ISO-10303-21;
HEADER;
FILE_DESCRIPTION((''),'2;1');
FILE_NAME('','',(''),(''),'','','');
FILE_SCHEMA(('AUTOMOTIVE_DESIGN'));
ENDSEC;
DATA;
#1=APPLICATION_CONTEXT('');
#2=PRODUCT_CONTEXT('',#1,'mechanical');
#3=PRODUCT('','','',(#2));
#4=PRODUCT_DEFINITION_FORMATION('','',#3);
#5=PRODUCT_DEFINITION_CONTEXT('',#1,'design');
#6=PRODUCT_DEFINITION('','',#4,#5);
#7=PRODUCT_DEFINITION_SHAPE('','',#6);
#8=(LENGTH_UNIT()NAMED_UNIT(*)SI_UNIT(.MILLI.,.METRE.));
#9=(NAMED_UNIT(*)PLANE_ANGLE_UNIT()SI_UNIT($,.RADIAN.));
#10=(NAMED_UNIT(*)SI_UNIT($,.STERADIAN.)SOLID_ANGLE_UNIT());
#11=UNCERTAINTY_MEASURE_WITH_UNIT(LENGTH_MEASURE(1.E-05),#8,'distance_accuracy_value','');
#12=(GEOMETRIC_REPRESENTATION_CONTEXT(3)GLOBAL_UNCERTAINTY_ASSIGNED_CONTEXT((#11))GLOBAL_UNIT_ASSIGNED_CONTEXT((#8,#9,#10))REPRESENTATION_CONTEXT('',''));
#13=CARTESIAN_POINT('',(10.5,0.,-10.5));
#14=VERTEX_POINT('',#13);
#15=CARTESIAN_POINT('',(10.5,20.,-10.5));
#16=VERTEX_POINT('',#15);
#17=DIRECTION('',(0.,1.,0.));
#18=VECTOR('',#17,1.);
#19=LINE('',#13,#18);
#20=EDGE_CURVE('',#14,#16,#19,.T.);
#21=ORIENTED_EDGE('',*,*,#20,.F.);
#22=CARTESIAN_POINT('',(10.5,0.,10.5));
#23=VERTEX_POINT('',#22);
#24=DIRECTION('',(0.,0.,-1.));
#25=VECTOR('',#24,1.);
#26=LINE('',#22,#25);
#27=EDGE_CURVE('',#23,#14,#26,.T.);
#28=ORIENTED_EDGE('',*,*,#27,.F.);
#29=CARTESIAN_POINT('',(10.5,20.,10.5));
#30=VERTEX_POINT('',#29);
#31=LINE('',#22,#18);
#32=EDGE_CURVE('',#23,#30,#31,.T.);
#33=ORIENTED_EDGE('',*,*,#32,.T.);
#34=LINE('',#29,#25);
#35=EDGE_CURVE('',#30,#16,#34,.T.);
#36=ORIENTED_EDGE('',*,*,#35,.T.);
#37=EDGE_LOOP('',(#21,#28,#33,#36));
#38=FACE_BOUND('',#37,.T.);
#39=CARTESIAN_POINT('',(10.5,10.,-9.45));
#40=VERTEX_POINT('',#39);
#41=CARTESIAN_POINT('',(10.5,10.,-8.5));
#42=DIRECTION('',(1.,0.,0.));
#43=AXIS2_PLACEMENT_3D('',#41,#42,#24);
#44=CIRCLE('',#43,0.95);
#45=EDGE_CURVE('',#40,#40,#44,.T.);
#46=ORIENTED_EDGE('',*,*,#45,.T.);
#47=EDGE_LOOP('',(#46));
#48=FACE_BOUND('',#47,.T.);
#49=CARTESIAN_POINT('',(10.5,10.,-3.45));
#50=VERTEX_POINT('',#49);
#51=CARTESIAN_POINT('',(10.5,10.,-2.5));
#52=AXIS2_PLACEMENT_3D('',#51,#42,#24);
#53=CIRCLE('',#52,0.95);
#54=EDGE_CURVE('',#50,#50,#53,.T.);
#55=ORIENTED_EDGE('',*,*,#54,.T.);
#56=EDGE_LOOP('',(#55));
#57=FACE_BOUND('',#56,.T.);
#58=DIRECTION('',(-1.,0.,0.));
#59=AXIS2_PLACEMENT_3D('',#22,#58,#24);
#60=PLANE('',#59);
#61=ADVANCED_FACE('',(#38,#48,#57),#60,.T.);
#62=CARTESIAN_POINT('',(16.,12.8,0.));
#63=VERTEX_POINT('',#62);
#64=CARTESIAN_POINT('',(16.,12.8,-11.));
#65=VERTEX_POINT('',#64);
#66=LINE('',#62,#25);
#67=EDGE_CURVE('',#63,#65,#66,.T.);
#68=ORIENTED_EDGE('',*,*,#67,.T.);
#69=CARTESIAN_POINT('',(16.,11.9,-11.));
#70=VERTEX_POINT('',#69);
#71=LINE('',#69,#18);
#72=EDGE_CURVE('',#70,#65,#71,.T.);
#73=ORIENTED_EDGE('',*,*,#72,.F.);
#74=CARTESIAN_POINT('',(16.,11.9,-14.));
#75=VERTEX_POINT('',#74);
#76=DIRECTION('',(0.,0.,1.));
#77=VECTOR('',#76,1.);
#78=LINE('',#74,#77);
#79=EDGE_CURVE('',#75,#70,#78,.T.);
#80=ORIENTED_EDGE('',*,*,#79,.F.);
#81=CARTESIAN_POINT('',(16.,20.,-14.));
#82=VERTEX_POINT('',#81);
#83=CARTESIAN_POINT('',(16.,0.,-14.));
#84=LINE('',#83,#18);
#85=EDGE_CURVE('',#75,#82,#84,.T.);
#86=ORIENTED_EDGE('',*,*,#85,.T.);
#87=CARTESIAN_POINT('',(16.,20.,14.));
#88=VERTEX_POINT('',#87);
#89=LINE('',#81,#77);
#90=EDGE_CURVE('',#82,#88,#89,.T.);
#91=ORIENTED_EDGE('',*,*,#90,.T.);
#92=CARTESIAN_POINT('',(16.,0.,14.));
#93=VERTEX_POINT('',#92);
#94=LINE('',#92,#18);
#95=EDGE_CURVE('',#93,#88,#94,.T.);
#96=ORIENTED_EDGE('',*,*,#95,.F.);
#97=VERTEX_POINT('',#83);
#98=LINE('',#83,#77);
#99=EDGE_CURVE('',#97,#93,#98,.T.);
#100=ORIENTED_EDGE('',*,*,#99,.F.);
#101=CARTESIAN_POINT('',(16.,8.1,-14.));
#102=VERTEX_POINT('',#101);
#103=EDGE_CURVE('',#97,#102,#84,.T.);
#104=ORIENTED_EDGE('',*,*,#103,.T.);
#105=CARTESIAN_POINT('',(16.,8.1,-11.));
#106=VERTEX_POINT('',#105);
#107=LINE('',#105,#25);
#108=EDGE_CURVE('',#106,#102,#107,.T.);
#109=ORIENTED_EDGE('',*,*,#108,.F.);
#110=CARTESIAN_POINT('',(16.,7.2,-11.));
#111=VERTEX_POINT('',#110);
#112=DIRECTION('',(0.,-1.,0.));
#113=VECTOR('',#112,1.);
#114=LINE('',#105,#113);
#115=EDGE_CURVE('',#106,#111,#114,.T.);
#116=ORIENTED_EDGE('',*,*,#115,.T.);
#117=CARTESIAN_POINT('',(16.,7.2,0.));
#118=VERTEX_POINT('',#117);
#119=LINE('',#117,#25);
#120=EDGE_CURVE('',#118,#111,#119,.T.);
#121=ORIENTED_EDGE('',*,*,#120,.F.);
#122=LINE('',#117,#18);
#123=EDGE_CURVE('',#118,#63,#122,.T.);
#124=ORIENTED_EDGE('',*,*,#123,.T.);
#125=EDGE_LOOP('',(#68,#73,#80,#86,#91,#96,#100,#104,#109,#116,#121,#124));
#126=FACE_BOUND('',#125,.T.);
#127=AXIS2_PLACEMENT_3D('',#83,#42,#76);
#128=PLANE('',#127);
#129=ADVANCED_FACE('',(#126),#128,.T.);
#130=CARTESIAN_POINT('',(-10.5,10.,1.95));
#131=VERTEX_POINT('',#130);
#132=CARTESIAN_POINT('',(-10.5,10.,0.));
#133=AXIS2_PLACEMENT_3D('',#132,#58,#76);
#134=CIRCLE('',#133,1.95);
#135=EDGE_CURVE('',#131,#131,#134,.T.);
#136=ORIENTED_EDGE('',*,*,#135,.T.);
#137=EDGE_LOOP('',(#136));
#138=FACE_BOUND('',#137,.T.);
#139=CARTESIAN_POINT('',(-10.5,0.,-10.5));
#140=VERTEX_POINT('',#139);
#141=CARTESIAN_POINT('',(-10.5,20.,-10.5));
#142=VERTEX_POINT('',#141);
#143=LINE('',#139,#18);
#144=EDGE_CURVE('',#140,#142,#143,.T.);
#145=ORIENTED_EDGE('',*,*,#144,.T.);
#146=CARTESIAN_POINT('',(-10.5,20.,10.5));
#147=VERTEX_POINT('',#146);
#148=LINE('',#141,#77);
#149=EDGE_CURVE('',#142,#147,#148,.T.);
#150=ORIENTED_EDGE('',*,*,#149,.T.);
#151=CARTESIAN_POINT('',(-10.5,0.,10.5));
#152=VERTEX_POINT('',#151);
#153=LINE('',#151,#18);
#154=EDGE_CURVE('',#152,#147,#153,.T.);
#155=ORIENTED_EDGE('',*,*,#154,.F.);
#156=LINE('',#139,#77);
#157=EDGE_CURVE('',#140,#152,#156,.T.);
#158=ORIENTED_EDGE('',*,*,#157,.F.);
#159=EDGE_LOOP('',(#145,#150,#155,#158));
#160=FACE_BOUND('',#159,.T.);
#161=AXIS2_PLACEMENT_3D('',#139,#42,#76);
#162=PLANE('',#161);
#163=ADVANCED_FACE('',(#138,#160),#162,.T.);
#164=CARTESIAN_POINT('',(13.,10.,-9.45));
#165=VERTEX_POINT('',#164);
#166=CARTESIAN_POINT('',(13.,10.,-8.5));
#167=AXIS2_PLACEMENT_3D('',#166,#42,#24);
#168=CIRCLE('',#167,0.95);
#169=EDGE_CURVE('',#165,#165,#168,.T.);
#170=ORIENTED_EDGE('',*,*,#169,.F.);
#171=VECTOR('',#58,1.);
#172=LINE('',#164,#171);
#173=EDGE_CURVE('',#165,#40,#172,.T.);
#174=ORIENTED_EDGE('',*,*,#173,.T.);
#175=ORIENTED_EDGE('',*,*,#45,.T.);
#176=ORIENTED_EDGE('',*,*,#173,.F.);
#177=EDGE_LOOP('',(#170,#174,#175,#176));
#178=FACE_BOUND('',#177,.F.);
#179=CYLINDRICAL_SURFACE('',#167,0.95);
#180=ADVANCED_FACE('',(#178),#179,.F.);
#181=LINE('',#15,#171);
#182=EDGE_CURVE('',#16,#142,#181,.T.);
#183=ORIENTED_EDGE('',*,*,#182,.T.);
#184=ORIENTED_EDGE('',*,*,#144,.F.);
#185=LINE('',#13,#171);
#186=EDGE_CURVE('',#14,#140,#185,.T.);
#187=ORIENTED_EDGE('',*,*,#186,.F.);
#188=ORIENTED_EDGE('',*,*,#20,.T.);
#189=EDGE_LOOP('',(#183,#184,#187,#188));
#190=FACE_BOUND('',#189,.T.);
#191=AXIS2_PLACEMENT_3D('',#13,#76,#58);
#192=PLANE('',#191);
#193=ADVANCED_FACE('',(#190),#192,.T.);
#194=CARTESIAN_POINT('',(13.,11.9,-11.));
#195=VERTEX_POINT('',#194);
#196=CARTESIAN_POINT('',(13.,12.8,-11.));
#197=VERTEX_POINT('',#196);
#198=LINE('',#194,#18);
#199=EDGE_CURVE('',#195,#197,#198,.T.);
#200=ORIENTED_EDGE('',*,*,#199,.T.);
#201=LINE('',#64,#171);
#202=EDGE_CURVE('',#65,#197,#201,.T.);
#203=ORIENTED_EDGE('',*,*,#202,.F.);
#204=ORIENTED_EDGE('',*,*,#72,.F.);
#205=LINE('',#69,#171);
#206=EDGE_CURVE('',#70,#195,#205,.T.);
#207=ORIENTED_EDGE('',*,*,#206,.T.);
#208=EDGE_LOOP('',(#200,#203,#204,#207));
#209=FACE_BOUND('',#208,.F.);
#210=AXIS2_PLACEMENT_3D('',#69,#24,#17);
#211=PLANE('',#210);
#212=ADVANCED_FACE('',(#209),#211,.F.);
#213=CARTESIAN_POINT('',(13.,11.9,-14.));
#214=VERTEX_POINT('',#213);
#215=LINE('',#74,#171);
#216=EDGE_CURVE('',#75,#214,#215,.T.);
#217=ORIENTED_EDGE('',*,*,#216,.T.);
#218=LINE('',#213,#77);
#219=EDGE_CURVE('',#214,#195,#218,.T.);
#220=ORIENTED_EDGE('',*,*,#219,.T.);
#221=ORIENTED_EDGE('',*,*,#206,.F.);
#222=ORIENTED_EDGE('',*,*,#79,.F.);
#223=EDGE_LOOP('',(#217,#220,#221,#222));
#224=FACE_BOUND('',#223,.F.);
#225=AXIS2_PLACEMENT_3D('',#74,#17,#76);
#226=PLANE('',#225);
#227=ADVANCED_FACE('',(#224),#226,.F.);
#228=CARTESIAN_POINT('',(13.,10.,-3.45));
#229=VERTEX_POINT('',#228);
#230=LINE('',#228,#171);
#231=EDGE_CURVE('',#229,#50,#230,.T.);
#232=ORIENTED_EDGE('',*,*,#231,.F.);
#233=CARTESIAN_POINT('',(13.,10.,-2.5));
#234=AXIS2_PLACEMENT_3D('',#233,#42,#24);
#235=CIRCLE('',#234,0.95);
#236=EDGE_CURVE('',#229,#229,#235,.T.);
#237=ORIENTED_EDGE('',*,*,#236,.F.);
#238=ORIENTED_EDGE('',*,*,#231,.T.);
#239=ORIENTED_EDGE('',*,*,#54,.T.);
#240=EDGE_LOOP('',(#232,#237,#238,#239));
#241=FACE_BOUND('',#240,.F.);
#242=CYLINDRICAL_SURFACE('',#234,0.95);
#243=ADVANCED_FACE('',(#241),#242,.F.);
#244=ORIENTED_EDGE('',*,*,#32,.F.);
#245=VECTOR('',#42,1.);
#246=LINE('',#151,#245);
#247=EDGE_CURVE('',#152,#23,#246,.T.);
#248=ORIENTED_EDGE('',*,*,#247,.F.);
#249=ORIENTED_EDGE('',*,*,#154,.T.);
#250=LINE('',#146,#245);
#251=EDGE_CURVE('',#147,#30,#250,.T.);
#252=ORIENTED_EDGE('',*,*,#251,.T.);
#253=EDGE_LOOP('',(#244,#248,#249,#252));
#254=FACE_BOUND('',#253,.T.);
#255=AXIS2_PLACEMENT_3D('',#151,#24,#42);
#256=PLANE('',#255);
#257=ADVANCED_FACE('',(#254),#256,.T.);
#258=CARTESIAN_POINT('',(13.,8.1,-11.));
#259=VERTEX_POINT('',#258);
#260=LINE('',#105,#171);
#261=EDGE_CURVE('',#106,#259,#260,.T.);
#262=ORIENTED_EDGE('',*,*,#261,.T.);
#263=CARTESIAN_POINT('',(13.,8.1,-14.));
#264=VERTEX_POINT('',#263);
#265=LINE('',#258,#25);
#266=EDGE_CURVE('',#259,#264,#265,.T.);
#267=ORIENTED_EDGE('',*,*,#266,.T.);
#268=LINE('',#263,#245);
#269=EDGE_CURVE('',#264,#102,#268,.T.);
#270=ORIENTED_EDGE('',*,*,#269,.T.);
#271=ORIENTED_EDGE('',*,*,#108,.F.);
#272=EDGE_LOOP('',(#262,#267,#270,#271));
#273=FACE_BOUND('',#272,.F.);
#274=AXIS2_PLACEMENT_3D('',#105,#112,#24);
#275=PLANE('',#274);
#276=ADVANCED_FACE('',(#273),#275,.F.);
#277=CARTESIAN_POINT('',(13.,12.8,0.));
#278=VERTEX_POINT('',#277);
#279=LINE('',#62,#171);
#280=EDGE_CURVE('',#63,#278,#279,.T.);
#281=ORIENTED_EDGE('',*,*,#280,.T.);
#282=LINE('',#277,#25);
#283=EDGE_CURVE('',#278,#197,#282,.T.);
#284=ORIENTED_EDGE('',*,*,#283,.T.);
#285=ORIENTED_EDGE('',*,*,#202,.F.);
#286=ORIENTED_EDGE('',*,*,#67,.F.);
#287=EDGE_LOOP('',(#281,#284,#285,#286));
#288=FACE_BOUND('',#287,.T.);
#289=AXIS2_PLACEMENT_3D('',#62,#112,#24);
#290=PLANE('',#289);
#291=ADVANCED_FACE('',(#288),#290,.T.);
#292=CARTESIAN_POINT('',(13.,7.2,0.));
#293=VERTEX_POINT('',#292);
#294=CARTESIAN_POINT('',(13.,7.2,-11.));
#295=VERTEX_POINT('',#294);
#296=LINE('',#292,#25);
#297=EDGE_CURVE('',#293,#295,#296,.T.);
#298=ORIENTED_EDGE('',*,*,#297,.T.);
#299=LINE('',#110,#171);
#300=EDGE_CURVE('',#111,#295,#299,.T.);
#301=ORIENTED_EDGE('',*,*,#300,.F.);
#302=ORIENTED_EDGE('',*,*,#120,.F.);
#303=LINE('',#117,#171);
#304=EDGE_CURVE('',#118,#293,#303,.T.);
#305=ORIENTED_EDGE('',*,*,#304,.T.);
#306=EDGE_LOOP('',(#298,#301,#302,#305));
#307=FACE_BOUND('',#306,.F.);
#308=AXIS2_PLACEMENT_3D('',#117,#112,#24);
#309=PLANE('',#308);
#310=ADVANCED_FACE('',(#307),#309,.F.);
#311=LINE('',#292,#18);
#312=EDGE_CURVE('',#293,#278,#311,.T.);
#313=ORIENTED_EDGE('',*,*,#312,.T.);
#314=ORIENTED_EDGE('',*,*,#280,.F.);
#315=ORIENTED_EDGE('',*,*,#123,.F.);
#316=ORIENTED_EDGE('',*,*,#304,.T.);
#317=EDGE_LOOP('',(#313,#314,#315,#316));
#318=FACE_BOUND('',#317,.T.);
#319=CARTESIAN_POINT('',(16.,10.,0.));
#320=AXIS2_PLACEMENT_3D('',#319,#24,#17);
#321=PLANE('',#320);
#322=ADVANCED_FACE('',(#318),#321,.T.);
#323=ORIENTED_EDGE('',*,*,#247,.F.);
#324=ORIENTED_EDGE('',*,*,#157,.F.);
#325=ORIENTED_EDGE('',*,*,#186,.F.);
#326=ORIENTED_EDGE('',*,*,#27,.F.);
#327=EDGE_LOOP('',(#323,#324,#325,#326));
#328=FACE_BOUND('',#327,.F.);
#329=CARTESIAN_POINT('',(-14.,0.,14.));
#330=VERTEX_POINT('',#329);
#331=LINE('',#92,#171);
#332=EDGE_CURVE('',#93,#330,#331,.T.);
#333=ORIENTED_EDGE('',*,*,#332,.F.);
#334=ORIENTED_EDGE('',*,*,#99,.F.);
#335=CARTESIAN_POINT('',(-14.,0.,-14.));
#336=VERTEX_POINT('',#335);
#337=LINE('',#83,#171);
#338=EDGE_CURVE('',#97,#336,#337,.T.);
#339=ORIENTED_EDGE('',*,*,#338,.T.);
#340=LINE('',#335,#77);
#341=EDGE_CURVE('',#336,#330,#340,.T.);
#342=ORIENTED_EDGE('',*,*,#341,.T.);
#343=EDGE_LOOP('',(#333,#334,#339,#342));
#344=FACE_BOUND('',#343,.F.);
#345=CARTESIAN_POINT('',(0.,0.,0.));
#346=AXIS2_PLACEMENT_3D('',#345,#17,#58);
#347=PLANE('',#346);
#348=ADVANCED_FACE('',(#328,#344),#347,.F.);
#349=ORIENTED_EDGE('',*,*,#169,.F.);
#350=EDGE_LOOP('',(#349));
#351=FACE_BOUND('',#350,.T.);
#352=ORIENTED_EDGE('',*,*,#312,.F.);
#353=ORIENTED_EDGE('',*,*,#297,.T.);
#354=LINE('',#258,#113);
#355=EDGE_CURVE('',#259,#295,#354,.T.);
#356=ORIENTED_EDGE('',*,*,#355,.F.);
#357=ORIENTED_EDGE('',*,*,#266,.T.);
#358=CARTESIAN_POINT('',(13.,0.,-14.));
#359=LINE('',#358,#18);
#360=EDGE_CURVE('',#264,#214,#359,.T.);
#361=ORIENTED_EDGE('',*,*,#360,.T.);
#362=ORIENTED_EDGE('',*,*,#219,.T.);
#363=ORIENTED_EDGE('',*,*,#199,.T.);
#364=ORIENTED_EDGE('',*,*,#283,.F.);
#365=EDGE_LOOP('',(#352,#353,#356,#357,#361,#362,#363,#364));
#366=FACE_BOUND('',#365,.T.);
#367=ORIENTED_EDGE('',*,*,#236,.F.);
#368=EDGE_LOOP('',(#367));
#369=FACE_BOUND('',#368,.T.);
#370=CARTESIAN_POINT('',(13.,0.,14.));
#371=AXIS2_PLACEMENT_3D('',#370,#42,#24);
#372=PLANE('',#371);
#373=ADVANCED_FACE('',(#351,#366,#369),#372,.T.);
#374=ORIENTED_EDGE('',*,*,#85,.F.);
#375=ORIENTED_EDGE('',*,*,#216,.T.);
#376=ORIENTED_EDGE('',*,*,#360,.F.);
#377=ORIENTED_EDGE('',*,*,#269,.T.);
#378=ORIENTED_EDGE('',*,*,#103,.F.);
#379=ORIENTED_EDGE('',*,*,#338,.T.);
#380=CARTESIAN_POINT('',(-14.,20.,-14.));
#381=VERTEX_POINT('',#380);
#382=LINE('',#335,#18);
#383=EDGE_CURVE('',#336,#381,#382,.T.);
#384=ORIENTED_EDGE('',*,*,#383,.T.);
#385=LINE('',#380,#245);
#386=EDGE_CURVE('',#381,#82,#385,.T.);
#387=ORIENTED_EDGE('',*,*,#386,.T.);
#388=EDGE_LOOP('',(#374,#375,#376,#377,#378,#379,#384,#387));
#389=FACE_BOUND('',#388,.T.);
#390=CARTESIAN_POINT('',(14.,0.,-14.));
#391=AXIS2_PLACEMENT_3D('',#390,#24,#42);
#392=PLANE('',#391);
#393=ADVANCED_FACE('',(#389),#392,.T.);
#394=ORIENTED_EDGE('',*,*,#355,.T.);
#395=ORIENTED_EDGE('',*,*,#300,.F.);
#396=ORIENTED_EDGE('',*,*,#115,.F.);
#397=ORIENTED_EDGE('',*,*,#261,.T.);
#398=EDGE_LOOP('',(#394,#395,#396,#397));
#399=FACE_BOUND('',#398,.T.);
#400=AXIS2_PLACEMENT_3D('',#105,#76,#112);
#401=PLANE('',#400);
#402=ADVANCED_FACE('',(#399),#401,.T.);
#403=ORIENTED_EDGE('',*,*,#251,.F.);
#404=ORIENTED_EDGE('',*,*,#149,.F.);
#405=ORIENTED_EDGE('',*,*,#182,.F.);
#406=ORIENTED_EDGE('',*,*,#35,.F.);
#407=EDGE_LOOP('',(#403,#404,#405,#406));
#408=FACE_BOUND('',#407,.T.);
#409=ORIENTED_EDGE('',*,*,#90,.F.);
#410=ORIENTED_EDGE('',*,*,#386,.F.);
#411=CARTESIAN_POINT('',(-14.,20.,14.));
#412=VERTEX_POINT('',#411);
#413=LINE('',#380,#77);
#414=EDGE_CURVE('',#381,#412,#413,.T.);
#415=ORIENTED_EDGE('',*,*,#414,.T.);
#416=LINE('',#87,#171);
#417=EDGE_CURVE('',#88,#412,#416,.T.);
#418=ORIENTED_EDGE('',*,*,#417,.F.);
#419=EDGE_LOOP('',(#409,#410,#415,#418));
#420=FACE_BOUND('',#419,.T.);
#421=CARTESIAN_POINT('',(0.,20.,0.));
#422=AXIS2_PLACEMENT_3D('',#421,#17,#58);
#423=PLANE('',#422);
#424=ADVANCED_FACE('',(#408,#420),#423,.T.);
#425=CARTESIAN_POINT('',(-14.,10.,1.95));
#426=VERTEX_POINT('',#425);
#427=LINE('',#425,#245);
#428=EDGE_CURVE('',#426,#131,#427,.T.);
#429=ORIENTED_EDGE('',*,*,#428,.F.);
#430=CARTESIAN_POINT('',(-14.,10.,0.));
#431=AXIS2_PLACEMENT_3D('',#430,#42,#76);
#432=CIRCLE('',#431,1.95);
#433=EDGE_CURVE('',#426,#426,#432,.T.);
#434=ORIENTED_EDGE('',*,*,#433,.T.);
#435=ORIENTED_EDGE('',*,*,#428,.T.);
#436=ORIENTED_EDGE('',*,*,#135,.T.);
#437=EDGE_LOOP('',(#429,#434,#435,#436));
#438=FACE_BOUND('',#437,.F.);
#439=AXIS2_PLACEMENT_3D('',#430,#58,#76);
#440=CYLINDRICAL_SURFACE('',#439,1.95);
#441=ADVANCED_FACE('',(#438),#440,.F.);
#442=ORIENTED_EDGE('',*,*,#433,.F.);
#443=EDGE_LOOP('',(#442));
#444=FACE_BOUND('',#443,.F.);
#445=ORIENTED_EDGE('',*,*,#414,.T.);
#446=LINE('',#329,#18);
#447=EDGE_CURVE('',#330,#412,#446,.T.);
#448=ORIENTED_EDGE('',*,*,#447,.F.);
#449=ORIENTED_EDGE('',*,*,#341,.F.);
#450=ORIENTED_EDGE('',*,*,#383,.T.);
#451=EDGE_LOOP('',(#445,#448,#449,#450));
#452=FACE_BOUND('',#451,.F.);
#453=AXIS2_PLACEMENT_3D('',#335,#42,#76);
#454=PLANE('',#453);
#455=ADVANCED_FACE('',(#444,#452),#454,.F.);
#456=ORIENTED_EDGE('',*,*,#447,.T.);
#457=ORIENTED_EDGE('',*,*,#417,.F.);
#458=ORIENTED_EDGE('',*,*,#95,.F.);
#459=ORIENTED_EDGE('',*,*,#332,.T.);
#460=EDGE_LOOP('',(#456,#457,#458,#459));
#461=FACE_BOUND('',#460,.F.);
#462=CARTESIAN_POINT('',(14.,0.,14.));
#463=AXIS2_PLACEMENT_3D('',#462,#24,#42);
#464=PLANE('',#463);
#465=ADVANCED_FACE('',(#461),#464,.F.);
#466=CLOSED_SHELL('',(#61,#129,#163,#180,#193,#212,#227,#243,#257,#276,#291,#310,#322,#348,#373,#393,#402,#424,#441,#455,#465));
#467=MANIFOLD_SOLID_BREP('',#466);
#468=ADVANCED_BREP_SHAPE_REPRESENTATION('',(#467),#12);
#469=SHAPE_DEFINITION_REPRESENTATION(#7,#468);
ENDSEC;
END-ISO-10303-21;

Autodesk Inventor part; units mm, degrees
ref_plane "YZ Plane" through (0, 0, 0) normal (1, 0, 0) x (0, 1, 0)
ref_plane "XZ Plane" through (0, 0, 0) normal (0, 1, 0) x (-1, 0, 0)
ref_plane "XY Plane" through (0, 0, 0) normal (0, 0, 1) x (1, 0, 0)
sketch "Sketch1" plane through (0, 0, 0) normal (0, 1, 0) x (-1, 0, 0)
  line L0 (-10.5, -10.5) -> (10.5, -10.5)
  line L1 (10.5, -10.5) -> (10.5, 10.5)
  line L2 (10.5, 10.5) -> (-10.5, 10.5)
  line L3 (-10.5, 10.5) -> (-10.5, -10.5)
  line L4 (-10.5, -10.5) -> (10.5, 10.5) construction
  line L5 (10.5, -10.5) -> (-10.5, 10.5) construction
  line L6 (-14, -14) -> (14, -14)
  line L7 (14, -14) -> (14, 14)
  line L8 (14, 14) -> (-14, 14)
  line L9 (-14, -14) -> (14, 14) construction
  line L10 (14, -14) -> (-14, 14) construction
  line L11 (-14, 14) -> (-16, 14)
  line L12 (-14, -14) -> (-16, -14)
  line L13 (-16, -14) -> (-16, 14)
  line L14 (-14, 14) -> (-14, 10.5)
  line L15 (-14, -10.5) -> (-14, -14)
  point P0 (0, 0)
  dimension "d0" = 21
  dimension "d1" = 21
  dimension "d2" = 28
  dimension "d3" = 28
  dimension "d6" = 2
extrude "Extrusion1" add sketch "Sketch1" along normal blind 20
sketch "Sketch3" plane through (16, 0, 14) normal (1, 0, 0) x (0, 0, -1)
  line L0 (28, 0) -> (28, 20) projected
  line L1 (28, 10) -> (0, 10) construction
  line L2 (0, 0) -> (0, 20) projected
  line L3 (14, 10) -> (14, 12.8)
  line L4 (14, 12.8) -> (25, 12.8)
  line L5 (14, 10) -> (14, 7.2)
  line L6 (14, 7.2) -> (25, 7.2)
  line L7 (28, 11.9) -> (25, 11.9)
  line L8 (25, 8.1) -> (28, 8.1)
  line L9 (25, 11.9) -> (25, 12.8)
  line L10 (25, 8.1) -> (25, 7.2)
  point P0 (14, 0)
  dimension "d7" = 2.8
  dimension "d8" = 2.8
  dimension "d10" = 3
  dimension "d24" = 1.9
  dimension "d25" = 1.9
extrude "Extrusion2" cut sketch "Sketch3" against normal blind 3
sketch "Sketch4" plane through (13, 0, 14) normal (1, 0, 0) x (0, 0, -1)
  line L0 (28, 11.9) -> (28, 8.1) projected
  line L1 (28, 10) -> (14, 10) construction
  circle A0 centre (22.5, 10) radius 0.95
  circle A1 centre (16.5, 10) radius 0.95
  line L2 (14, 7.2) -> (14, 12.8) projected
  point P0 (14, 0)
  dimension "d14" = 1.9
  dimension "d15" = 1.9
  dimension "d16" = 6
  dimension "d22" = 2.5
extrude "Extrusion3" cut sketch "Sketch4" against normal blind 3
sketch "Sketch5" plane through (-14, 0, -14) normal (-1, 0, 0) x (0, 0, 1)
  line L0 (14, 7.2) -> (14, 12.8) projected
  circle A0 centre (14, 10) radius 1.95
  point P0 (14, 0)
  dimension "d19" = 3.9
extrude "Extrusion4" cut sketch "Sketch5" against normal blind 4
properties part number "holder"
